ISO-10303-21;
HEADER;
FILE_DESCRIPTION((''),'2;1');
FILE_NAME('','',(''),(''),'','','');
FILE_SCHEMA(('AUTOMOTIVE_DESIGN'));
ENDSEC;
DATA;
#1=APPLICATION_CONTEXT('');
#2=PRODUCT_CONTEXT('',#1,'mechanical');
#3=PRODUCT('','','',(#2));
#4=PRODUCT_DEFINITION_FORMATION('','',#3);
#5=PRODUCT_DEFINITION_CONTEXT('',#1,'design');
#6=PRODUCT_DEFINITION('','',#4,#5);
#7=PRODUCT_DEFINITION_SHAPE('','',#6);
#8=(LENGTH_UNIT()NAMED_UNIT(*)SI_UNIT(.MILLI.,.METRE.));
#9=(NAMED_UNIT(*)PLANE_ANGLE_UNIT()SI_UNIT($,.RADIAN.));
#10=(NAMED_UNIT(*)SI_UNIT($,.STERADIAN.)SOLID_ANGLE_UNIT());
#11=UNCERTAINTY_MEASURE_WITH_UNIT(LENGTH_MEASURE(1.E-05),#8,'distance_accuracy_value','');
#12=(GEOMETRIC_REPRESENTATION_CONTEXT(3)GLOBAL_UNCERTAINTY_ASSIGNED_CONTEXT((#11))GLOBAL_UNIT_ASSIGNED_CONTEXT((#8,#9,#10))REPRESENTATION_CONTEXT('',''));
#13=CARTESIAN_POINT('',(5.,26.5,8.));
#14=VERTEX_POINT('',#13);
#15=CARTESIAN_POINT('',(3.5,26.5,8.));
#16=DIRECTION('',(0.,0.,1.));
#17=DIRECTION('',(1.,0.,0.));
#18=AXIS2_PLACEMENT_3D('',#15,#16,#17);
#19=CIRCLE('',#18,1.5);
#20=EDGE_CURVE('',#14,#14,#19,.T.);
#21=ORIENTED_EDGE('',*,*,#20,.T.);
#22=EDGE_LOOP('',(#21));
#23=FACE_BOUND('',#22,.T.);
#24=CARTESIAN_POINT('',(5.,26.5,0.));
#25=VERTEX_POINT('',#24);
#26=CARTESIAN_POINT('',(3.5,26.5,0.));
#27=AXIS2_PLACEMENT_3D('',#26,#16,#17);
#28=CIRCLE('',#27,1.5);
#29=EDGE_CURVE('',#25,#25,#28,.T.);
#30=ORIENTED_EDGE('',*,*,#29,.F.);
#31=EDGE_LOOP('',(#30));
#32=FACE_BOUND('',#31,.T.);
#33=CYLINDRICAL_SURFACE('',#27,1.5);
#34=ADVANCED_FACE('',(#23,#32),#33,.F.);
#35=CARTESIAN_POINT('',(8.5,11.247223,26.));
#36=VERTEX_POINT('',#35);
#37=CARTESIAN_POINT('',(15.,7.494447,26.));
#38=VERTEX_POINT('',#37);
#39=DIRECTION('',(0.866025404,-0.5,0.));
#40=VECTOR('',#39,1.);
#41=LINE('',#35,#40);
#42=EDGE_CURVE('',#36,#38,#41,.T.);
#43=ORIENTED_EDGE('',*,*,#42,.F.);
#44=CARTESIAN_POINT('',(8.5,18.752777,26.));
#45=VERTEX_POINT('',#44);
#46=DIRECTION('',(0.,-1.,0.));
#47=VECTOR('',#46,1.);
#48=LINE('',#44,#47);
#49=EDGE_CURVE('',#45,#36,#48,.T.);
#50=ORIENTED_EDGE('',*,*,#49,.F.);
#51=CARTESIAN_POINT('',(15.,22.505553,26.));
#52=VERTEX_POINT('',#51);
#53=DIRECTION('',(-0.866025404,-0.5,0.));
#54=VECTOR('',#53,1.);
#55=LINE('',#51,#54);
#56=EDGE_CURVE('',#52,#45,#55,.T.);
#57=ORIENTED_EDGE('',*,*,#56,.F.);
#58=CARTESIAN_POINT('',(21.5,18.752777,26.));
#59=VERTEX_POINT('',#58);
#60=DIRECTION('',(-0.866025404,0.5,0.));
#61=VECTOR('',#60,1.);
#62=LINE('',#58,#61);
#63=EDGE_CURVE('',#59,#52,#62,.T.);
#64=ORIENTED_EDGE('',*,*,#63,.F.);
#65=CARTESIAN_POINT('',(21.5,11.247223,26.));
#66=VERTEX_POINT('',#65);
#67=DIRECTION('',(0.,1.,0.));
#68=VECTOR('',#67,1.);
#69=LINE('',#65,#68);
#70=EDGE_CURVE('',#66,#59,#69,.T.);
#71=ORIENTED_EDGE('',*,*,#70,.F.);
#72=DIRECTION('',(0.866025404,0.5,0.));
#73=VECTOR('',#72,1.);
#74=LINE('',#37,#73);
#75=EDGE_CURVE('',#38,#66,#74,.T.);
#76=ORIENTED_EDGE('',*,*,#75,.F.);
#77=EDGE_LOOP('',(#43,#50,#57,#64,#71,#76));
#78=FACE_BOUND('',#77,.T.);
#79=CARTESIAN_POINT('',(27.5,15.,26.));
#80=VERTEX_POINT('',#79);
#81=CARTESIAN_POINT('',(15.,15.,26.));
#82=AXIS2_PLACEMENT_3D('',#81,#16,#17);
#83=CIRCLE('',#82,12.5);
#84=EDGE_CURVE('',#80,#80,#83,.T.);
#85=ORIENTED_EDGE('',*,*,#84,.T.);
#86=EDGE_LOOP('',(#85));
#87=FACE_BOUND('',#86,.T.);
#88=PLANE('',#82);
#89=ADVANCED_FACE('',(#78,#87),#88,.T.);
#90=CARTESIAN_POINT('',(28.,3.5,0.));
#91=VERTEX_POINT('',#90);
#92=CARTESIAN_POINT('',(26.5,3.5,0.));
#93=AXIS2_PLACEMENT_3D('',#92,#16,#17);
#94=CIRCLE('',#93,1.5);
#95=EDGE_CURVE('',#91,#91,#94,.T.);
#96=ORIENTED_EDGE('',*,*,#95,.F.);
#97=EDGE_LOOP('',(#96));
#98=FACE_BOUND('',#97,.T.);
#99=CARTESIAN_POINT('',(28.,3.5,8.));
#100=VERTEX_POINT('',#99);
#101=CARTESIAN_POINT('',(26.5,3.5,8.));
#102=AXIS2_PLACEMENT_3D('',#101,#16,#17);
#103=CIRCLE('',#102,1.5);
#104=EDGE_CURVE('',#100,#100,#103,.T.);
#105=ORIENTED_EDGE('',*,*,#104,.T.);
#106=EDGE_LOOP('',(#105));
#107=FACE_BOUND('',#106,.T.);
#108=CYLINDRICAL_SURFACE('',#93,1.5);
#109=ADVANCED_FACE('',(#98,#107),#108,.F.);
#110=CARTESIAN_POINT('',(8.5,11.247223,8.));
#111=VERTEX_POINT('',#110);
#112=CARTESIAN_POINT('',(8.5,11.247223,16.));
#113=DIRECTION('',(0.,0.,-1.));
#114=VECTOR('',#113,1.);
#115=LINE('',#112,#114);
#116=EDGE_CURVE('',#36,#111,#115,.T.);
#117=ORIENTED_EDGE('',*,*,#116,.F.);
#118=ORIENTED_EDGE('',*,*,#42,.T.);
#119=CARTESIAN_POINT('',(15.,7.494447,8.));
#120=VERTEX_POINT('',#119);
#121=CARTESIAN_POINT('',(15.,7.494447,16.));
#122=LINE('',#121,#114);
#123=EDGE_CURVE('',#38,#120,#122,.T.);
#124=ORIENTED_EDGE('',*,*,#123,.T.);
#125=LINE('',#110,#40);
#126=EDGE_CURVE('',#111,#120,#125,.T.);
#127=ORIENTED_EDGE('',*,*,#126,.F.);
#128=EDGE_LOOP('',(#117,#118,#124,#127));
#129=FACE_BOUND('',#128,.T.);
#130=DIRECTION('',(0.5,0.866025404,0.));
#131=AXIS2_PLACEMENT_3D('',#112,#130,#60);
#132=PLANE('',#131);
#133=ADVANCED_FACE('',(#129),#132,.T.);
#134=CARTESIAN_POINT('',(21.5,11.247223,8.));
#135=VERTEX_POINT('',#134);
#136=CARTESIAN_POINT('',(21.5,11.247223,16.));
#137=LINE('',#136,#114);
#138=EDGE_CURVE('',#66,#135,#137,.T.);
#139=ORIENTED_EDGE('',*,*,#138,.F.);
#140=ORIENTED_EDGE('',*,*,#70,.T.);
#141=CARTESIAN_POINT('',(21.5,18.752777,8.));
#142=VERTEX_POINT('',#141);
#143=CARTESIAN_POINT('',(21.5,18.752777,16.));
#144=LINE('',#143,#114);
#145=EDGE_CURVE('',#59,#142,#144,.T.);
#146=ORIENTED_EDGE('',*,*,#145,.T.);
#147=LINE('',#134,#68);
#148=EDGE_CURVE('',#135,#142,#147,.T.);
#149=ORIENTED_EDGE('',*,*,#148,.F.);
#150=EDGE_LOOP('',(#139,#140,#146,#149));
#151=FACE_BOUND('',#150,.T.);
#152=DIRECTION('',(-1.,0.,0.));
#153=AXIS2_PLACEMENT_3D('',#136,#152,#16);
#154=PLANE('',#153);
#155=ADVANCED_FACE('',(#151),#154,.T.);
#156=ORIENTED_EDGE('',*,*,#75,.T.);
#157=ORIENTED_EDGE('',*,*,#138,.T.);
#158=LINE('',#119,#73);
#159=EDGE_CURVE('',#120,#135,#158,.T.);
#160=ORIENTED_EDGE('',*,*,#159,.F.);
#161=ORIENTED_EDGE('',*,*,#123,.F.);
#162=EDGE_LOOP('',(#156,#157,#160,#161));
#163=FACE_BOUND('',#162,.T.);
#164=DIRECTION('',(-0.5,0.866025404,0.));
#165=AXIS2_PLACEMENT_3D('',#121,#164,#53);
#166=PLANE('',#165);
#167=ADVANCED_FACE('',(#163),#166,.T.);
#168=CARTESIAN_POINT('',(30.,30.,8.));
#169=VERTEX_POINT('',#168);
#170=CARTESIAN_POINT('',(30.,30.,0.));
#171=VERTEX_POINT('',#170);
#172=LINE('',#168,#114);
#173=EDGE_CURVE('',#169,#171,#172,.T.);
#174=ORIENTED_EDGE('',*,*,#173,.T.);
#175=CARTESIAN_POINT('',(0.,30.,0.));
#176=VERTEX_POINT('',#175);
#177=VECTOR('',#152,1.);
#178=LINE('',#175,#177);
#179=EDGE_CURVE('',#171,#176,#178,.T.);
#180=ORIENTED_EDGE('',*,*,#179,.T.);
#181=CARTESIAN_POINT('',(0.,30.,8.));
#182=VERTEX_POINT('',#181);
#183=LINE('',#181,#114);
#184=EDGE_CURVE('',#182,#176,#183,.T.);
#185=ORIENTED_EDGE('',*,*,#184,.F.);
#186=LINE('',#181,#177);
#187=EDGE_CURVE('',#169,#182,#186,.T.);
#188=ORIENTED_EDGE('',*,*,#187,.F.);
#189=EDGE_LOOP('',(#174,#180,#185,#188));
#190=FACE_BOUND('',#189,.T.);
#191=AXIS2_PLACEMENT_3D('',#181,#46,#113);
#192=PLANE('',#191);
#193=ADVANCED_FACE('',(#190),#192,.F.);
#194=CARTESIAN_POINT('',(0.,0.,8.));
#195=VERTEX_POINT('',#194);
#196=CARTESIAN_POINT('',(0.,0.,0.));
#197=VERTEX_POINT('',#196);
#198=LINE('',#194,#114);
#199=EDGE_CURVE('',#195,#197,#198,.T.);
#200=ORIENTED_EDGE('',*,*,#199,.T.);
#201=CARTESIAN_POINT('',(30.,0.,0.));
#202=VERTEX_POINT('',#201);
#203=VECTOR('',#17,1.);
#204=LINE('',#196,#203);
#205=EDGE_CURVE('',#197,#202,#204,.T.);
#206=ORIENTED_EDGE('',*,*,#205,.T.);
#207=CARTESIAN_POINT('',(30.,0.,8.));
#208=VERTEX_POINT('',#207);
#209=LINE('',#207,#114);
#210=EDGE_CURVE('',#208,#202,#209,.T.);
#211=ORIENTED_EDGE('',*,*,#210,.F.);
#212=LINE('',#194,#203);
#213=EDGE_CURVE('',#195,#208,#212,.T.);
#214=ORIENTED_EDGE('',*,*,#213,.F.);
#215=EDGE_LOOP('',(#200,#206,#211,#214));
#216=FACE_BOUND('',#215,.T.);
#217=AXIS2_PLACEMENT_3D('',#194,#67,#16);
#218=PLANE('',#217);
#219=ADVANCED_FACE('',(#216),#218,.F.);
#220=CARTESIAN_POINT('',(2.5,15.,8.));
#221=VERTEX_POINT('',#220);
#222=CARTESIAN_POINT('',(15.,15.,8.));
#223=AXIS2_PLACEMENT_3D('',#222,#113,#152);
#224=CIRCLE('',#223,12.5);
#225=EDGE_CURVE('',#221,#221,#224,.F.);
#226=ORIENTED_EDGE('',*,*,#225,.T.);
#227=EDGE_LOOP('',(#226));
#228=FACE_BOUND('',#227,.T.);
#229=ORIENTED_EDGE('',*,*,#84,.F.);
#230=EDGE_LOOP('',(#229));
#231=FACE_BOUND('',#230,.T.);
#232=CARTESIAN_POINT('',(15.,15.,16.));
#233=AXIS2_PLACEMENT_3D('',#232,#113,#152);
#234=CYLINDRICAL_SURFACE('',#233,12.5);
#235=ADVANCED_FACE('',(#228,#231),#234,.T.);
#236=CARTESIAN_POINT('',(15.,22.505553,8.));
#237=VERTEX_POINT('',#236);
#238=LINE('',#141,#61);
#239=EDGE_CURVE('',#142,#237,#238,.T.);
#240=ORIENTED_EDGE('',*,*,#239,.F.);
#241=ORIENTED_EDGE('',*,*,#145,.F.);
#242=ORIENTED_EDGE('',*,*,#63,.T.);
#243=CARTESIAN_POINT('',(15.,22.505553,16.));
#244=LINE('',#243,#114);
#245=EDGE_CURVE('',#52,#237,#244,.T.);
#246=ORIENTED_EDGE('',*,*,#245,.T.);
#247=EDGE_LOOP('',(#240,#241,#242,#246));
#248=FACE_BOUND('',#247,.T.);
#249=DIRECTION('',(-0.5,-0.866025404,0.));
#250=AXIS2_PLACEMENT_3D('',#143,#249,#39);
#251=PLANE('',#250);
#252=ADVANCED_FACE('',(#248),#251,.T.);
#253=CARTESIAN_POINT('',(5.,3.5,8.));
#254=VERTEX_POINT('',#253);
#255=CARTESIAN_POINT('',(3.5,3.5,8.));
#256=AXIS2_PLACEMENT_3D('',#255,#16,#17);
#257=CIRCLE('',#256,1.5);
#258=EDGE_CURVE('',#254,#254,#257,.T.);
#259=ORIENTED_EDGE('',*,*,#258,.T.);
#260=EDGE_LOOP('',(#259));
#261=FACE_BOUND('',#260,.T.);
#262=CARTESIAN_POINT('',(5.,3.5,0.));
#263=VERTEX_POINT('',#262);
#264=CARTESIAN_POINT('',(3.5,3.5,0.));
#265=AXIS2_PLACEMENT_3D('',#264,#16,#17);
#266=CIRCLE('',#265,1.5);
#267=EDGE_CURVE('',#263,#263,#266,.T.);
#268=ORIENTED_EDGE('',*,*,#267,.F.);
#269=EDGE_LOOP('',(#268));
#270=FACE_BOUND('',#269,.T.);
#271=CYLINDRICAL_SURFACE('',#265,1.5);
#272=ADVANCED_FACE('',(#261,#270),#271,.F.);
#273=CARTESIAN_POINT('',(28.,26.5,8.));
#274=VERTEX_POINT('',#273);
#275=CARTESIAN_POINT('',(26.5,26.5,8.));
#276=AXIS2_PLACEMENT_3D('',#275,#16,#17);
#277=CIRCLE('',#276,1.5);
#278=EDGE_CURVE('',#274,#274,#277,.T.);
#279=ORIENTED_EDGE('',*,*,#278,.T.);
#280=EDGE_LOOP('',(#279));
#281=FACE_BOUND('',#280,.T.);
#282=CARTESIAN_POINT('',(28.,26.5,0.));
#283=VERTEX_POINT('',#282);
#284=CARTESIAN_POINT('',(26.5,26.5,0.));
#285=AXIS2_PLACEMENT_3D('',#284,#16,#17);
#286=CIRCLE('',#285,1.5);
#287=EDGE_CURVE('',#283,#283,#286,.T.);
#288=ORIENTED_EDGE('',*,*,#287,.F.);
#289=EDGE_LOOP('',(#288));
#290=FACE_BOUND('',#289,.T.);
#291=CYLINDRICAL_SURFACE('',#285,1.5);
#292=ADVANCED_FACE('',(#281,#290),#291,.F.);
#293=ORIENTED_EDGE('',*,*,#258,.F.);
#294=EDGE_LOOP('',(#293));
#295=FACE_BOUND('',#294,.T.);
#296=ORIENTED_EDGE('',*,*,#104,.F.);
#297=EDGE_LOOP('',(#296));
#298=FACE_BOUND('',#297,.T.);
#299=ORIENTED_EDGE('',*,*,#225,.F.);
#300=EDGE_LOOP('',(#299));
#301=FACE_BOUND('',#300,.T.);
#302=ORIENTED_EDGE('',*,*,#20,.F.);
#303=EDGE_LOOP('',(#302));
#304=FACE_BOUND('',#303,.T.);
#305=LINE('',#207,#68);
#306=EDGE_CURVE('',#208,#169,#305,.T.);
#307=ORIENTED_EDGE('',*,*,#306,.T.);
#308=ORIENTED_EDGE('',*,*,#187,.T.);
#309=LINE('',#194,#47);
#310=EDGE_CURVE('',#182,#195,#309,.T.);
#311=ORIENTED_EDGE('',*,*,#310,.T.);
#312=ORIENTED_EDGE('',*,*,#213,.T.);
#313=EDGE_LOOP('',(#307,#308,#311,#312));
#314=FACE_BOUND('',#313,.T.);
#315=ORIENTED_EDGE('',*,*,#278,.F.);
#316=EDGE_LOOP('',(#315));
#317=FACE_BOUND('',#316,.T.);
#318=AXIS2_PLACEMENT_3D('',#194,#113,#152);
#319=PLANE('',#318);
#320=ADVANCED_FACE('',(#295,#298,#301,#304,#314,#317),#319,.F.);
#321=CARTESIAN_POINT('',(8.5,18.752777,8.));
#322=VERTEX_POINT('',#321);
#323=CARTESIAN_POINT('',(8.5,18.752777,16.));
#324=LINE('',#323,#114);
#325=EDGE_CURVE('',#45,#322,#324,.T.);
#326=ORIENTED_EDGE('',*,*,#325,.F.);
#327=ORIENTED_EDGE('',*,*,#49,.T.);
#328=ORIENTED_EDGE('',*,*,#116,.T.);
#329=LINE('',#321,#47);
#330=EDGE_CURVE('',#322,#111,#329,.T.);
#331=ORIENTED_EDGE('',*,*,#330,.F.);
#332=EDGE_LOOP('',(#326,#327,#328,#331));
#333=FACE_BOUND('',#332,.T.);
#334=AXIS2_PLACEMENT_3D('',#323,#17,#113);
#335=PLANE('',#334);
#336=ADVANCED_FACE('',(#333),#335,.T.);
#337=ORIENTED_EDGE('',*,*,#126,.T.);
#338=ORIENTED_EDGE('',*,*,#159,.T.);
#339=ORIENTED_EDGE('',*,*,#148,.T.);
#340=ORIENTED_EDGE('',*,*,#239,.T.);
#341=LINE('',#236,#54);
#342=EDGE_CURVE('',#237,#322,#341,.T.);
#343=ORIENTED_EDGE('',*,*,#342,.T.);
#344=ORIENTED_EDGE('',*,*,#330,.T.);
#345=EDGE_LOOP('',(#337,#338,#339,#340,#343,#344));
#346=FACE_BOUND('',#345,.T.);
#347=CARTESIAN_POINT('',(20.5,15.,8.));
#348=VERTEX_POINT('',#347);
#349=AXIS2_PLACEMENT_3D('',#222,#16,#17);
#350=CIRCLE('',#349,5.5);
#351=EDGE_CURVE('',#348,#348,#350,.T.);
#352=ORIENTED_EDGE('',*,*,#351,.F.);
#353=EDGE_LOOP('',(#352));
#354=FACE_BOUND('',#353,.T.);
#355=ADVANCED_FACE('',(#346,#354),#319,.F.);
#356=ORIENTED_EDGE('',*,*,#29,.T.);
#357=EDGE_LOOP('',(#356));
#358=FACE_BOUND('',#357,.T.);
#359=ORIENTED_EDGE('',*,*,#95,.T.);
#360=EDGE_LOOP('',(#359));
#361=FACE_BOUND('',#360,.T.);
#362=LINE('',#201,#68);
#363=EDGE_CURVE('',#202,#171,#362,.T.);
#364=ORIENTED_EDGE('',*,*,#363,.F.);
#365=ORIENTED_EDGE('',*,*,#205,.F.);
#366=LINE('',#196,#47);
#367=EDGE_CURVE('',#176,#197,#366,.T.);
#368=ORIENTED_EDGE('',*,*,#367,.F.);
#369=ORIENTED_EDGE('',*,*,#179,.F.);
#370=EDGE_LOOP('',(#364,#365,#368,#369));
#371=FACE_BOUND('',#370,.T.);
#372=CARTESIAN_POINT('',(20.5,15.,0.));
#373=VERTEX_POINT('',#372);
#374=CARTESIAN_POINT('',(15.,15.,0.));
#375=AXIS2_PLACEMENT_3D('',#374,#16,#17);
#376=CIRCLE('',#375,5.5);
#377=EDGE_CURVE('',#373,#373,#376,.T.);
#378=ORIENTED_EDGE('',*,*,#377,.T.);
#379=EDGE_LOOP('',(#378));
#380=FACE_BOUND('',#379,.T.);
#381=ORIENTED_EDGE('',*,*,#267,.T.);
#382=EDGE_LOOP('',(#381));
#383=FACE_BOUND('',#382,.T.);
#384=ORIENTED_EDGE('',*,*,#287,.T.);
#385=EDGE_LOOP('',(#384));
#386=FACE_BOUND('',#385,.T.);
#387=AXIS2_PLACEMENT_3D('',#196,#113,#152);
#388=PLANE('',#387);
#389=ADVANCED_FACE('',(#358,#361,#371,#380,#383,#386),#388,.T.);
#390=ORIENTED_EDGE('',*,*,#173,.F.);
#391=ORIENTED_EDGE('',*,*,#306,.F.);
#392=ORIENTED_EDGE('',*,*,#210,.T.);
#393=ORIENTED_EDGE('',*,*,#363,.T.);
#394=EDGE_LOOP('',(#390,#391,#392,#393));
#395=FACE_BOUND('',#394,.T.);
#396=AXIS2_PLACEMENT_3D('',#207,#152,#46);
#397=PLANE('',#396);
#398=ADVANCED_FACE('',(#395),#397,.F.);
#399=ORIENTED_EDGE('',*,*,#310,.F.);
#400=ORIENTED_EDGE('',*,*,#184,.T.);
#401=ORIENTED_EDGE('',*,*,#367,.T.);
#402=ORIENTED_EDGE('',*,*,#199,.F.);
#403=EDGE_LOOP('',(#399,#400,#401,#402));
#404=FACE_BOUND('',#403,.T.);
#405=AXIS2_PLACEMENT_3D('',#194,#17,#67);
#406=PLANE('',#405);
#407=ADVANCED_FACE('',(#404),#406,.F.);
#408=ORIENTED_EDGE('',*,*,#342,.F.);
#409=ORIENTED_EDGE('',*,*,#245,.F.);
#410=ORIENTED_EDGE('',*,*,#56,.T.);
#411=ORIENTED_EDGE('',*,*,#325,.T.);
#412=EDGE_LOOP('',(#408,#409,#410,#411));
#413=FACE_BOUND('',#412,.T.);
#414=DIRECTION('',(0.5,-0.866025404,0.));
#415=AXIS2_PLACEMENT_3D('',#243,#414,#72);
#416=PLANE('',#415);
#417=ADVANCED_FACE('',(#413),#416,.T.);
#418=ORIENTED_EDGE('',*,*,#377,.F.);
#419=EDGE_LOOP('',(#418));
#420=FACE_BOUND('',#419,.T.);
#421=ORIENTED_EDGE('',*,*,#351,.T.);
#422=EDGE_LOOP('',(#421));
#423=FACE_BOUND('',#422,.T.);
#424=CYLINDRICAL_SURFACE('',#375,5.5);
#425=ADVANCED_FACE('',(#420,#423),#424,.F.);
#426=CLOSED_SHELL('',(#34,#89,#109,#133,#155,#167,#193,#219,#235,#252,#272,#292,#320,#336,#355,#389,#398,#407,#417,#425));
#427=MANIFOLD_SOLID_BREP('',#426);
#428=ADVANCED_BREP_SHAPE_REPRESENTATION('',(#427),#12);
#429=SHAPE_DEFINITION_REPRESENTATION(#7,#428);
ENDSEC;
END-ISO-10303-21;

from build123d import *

# Parameters (mm, degrees)
IZIM1_W                     = 30
IZIM1_H                     = 30
Y_KSEKLIK_EKSTR_ZYON1_DEPTH = 8
IZIM2_R                     = 12.5
Y_KSEKLIK_EKSTR_ZYON2_DEPTH = 8
IZIM3_R                     = 5.5
KES_EKSTR_ZYON1_DEPTH       = 8
IZIM4_R                     = 1.5
KES_EKSTR_ZYON2_DEPTH       = 8
IZIM5_R                     = 12.5
Y_KSEKLIK_EKSTR_ZYON3_DEPTH = 10


with BuildPart() as part:
    # Çizim1 → Yükseklik-Ekstrüzyon1 (new body)
    with BuildSketch(Plane.XY):
        with Locations((15, 15)):
            Rectangle(IZIM1_W, IZIM1_H)
    extrude(amount=Y_KSEKLIK_EKSTR_ZYON1_DEPTH)

    # Çizim2 → Yükseklik-Ekstrüzyon2 (add)
    with BuildSketch(Plane.XY.offset(8)):
        with Locations(Location((15, 15, 0), (0, 0, 180))):
            Circle(IZIM2_R)
        Polygon((15, 22.505553499), (8.5, 18.75277675), (8.5, 11.24722325), (15, 7.494446501), (21.5, 11.24722325), (21.5, 18.75277675), align=None, mode=Mode.SUBTRACT)
    extrude(amount=Y_KSEKLIK_EKSTR_ZYON2_DEPTH)

    # Çizim3 → Kes-Ekstrüzyon1 (cut)
    with BuildSketch(Plane.XY.offset(8)):
        with Locations((15, 15)):
            Circle(IZIM3_R)
    extrude(amount=-KES_EKSTR_ZYON1_DEPTH, mode=Mode.SUBTRACT)

    # Çizim4 → Kes-Ekstrüzyon2 (cut)
    with BuildSketch(Plane.XY.offset(8)):
        with Locations((3.5, 26.5)):
            Circle(IZIM4_R)
        with Locations((26.5, 26.5)):
            Circle(IZIM4_R)
        with Locations((26.5, 3.5)):
            Circle(IZIM4_R)
        with Locations((3.5, 3.5)):
            Circle(IZIM4_R)
    extrude(amount=-KES_EKSTR_ZYON2_DEPTH, mode=Mode.SUBTRACT)

    # Çizim5 → Yükseklik-Ekstrüzyon3 (add)
    with BuildSketch(Plane.XY.offset(16)):
        with Locations(Location((15, 15, 0), (0, 0, 180))):
            Circle(IZIM5_R)
        Polygon((15, 22.505553499), (8.5, 18.75277675), (8.5, 11.24722325), (15, 7.494446501), (21.5, 11.24722325), (21.5, 18.75277675), align=None, mode=Mode.SUBTRACT)
    extrude(amount=Y_KSEKLIK_EKSTR_ZYON3_DEPTH)


solid = part.part
